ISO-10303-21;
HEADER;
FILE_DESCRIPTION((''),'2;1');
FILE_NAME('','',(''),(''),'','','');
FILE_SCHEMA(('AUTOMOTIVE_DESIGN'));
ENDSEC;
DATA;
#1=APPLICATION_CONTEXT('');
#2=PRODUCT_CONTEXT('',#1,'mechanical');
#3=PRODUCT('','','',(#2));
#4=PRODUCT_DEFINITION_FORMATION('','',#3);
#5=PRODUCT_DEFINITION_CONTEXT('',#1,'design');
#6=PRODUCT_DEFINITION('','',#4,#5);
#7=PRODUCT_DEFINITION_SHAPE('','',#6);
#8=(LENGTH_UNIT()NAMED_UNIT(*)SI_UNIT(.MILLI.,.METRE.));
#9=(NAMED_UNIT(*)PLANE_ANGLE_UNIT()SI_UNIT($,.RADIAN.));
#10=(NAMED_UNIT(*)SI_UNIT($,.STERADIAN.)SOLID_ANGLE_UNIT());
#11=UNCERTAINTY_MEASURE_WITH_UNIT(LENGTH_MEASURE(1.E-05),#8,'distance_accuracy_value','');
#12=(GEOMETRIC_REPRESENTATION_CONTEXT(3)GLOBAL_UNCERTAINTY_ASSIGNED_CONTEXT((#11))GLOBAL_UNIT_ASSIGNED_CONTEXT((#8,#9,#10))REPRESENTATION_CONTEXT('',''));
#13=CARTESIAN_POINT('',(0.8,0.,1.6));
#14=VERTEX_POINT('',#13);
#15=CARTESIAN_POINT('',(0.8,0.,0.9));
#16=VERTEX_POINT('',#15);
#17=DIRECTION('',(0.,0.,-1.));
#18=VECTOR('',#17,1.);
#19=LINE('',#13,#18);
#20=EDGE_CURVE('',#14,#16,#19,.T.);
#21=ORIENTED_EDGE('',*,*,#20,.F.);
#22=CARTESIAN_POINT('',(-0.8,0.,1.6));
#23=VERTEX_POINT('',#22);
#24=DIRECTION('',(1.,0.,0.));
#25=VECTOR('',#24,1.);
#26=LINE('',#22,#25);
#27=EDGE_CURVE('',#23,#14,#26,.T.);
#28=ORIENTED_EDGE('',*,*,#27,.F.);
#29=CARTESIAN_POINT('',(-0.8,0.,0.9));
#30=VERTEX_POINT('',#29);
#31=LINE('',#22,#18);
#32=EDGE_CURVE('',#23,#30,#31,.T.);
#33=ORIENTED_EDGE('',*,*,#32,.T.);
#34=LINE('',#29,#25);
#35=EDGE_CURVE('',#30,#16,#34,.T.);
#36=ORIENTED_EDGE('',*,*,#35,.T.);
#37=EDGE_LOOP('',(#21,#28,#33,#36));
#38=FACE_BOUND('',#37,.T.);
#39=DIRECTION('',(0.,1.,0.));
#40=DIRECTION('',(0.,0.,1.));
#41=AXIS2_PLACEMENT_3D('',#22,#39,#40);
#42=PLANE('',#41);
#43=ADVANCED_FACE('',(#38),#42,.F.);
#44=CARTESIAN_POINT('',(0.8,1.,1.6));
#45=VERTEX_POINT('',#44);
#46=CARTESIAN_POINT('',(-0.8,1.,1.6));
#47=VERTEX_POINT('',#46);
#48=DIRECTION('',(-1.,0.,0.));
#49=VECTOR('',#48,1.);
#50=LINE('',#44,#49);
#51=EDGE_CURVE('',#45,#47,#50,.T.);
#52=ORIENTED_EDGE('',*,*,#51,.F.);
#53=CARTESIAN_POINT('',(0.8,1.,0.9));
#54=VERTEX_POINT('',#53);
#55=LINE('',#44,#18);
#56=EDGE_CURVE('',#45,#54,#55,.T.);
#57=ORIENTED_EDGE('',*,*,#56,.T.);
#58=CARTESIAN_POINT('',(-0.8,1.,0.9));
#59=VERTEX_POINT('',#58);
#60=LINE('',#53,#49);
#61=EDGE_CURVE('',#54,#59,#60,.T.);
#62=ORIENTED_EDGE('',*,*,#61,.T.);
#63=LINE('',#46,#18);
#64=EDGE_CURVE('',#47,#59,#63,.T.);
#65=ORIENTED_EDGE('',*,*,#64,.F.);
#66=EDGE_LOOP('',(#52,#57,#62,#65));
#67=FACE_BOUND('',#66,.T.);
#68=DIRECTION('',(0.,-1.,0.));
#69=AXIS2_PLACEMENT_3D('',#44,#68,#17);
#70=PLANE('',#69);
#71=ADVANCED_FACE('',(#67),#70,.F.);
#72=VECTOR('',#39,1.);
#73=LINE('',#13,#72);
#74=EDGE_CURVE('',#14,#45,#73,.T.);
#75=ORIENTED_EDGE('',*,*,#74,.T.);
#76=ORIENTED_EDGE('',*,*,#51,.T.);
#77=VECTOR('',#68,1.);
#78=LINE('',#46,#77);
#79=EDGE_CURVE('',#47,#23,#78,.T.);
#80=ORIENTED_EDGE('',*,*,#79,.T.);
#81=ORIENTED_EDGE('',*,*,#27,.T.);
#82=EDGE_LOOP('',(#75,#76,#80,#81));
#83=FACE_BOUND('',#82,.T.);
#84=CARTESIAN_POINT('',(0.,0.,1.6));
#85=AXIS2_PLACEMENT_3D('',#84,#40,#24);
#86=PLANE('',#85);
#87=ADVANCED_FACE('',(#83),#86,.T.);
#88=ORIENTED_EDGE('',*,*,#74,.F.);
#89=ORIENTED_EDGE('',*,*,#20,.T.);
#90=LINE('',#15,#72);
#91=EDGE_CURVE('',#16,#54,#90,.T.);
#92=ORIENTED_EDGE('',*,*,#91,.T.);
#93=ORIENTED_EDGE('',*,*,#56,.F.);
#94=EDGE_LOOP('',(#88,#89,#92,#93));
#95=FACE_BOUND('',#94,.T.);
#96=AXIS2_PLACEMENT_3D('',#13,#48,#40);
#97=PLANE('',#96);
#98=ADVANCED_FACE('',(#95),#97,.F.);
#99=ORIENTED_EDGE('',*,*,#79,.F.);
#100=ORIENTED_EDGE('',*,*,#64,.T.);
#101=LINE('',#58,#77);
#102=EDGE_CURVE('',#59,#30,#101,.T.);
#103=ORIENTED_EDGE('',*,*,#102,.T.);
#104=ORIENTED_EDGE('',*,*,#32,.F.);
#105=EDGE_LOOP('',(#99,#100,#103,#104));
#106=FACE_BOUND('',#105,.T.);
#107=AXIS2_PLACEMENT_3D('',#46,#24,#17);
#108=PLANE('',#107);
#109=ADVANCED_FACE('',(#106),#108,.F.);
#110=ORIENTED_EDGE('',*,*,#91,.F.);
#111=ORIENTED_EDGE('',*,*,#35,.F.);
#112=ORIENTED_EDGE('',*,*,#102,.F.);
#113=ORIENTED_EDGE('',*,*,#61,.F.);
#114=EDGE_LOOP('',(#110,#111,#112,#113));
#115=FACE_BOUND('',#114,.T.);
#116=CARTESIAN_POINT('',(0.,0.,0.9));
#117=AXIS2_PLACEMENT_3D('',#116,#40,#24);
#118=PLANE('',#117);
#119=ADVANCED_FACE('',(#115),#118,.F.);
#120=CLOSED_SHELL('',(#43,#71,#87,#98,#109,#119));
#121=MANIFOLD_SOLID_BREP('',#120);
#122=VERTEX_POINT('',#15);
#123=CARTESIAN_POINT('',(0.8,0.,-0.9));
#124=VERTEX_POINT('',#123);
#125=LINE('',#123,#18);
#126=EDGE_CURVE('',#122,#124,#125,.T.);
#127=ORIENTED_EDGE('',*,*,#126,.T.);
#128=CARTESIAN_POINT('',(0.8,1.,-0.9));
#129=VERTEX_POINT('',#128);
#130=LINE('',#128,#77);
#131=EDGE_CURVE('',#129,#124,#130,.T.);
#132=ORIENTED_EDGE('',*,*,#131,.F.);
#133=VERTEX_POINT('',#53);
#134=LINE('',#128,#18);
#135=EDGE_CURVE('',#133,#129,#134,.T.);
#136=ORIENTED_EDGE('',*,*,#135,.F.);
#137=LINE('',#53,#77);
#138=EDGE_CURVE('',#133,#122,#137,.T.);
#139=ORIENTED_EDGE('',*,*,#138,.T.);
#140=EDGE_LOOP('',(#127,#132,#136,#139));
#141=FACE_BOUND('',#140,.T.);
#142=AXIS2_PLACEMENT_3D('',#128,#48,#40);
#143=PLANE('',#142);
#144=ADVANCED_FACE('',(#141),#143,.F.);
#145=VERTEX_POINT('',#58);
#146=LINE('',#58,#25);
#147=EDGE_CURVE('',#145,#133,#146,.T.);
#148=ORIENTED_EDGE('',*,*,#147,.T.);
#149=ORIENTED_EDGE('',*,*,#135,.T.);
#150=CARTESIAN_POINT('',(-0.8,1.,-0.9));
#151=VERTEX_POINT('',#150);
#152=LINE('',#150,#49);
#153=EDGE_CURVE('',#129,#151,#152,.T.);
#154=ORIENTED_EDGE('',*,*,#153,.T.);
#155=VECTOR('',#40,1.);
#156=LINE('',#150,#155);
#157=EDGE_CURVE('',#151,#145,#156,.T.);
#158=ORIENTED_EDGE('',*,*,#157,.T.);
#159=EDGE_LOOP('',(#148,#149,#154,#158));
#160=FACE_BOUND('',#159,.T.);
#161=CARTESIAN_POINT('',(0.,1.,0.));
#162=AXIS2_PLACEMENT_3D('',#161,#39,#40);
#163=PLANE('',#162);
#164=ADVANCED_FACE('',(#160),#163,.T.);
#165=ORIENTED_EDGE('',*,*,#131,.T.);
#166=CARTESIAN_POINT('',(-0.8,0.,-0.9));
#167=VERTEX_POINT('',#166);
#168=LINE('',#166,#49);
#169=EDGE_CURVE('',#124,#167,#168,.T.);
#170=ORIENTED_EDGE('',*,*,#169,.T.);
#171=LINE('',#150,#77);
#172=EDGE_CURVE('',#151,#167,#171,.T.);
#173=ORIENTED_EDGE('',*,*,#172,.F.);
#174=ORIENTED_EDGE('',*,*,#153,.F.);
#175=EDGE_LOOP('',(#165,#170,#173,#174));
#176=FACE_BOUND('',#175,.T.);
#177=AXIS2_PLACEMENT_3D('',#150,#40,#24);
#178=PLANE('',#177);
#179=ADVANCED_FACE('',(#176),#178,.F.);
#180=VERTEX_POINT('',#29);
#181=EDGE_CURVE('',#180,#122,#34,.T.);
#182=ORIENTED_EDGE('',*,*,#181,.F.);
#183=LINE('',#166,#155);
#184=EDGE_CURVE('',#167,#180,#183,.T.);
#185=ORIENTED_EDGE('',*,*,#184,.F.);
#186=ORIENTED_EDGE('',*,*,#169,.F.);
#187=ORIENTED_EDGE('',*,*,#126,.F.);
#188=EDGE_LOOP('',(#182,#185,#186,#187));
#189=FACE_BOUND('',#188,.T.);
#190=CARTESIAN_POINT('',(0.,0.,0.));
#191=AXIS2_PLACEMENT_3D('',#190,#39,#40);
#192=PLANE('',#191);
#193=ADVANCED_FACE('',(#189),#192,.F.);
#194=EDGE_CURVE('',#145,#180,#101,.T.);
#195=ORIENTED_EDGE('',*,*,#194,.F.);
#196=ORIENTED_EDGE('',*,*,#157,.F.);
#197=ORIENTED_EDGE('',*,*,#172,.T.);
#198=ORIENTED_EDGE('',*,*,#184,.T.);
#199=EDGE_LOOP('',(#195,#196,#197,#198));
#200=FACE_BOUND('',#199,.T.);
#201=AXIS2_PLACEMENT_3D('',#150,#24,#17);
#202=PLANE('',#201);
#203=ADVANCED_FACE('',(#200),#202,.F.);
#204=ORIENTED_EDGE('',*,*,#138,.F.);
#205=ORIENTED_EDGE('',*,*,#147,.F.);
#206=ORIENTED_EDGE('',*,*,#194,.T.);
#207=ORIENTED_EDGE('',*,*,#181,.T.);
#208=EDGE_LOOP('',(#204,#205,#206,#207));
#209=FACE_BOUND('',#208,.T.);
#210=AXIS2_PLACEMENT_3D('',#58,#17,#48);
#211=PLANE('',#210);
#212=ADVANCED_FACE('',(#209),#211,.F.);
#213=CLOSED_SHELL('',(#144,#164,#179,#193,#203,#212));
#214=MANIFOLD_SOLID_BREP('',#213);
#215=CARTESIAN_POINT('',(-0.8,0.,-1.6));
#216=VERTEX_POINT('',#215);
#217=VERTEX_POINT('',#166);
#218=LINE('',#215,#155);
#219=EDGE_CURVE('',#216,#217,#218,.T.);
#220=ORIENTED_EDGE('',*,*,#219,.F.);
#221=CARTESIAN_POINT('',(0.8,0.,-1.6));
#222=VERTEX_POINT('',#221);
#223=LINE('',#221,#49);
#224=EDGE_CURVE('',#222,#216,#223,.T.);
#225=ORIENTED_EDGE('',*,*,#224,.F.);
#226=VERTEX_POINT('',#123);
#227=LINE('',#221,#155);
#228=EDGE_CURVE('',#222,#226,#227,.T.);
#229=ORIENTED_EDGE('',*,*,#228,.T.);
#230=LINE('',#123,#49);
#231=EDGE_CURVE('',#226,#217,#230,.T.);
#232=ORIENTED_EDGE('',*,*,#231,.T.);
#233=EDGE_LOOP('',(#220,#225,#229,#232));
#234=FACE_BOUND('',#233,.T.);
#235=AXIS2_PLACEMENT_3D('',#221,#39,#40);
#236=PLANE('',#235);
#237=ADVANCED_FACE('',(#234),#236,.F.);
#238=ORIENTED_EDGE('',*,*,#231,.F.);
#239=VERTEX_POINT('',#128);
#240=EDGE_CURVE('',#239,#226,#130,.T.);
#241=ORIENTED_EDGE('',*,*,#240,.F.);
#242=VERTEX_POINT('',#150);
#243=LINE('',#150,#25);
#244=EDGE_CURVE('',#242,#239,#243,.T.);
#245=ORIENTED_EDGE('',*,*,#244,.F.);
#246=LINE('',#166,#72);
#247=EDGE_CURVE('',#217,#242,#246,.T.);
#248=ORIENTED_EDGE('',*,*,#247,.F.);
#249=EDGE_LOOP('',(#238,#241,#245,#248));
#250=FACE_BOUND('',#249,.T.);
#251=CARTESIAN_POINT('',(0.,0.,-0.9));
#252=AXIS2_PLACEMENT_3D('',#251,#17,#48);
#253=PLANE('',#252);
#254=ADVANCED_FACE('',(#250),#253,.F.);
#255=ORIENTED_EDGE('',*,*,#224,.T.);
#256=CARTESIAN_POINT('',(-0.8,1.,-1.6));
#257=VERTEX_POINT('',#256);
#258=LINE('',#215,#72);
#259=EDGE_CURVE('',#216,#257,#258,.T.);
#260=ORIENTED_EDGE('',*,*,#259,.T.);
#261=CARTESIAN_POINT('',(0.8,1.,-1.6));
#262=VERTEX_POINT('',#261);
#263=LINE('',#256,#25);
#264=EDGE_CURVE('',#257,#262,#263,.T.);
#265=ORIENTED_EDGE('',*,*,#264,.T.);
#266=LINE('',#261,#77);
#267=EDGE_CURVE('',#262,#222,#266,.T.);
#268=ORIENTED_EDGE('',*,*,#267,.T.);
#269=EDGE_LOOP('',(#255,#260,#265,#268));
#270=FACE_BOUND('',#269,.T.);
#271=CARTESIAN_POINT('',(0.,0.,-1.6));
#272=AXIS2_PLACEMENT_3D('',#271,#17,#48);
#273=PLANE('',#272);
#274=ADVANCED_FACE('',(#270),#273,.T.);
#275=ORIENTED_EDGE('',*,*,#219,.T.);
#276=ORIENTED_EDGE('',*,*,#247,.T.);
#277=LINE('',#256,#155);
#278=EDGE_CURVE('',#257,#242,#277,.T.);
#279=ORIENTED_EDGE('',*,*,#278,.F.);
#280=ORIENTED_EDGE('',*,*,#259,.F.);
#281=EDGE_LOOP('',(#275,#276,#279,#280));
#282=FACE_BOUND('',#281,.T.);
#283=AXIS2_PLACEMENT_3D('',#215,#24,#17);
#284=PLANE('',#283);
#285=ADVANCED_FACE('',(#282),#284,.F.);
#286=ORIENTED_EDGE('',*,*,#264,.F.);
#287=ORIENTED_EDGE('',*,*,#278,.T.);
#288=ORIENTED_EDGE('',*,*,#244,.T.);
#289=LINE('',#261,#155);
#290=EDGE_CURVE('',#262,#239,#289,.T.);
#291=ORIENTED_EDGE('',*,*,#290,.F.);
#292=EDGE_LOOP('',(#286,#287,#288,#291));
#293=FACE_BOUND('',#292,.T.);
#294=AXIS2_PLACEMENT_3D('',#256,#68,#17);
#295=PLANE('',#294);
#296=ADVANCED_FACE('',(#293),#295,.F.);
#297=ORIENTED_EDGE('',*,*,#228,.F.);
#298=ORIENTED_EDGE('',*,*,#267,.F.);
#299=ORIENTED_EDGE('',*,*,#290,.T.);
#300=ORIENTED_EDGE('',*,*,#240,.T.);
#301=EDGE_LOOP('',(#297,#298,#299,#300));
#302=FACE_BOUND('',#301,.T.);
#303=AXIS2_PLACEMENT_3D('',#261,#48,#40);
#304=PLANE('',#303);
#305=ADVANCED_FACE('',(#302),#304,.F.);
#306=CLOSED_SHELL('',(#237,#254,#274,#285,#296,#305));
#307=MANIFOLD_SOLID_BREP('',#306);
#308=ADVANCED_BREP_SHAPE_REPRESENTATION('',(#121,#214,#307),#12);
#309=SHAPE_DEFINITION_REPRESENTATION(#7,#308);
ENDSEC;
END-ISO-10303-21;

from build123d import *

# Parameters (mm, degrees)
SKETCH1_W  = 1.6
SKETCH1_H  = 1.8
MB_DEPTH   = 1
SKETCH2_W  = 1.6
SKETCH2_H  = 1
SB_L_DEPTH = 0.7
SKETCH3_W  = 1.6
SKETCH3_H  = 1
SB_R_DEPTH = 0.7


with BuildPart() as part:
    # Sketch1 → MB (new body)
    with BuildSketch(Plane(origin=(0, 0, 0), x_dir=(1, 0, 0), z_dir=(0, 1, 0))):
        Rectangle(SKETCH1_W, SKETCH1_H)
    extrude(amount=MB_DEPTH)


with BuildPart() as body_2:
    # Sketch2 → SB L (new body)
    with BuildSketch(Plane.XY.offset(0.9)):
        with Locations((0, 0.5)):
            Rectangle(SKETCH2_W, SKETCH2_H)
    extrude(amount=SB_L_DEPTH)


with BuildPart() as body_3:
    # Sketch3 → SB R (new body)
    with BuildSketch(Plane(origin=(0, 0, -0.9), x_dir=(-1, 0, 0), z_dir=(0, 0, -1))):
        with Locations((0, 0.5)):
            Rectangle(SKETCH3_W, SKETCH3_H)
    extrude(amount=SB_R_DEPTH)


solid = Compound([part.part, body_2.part, body_3.part])
